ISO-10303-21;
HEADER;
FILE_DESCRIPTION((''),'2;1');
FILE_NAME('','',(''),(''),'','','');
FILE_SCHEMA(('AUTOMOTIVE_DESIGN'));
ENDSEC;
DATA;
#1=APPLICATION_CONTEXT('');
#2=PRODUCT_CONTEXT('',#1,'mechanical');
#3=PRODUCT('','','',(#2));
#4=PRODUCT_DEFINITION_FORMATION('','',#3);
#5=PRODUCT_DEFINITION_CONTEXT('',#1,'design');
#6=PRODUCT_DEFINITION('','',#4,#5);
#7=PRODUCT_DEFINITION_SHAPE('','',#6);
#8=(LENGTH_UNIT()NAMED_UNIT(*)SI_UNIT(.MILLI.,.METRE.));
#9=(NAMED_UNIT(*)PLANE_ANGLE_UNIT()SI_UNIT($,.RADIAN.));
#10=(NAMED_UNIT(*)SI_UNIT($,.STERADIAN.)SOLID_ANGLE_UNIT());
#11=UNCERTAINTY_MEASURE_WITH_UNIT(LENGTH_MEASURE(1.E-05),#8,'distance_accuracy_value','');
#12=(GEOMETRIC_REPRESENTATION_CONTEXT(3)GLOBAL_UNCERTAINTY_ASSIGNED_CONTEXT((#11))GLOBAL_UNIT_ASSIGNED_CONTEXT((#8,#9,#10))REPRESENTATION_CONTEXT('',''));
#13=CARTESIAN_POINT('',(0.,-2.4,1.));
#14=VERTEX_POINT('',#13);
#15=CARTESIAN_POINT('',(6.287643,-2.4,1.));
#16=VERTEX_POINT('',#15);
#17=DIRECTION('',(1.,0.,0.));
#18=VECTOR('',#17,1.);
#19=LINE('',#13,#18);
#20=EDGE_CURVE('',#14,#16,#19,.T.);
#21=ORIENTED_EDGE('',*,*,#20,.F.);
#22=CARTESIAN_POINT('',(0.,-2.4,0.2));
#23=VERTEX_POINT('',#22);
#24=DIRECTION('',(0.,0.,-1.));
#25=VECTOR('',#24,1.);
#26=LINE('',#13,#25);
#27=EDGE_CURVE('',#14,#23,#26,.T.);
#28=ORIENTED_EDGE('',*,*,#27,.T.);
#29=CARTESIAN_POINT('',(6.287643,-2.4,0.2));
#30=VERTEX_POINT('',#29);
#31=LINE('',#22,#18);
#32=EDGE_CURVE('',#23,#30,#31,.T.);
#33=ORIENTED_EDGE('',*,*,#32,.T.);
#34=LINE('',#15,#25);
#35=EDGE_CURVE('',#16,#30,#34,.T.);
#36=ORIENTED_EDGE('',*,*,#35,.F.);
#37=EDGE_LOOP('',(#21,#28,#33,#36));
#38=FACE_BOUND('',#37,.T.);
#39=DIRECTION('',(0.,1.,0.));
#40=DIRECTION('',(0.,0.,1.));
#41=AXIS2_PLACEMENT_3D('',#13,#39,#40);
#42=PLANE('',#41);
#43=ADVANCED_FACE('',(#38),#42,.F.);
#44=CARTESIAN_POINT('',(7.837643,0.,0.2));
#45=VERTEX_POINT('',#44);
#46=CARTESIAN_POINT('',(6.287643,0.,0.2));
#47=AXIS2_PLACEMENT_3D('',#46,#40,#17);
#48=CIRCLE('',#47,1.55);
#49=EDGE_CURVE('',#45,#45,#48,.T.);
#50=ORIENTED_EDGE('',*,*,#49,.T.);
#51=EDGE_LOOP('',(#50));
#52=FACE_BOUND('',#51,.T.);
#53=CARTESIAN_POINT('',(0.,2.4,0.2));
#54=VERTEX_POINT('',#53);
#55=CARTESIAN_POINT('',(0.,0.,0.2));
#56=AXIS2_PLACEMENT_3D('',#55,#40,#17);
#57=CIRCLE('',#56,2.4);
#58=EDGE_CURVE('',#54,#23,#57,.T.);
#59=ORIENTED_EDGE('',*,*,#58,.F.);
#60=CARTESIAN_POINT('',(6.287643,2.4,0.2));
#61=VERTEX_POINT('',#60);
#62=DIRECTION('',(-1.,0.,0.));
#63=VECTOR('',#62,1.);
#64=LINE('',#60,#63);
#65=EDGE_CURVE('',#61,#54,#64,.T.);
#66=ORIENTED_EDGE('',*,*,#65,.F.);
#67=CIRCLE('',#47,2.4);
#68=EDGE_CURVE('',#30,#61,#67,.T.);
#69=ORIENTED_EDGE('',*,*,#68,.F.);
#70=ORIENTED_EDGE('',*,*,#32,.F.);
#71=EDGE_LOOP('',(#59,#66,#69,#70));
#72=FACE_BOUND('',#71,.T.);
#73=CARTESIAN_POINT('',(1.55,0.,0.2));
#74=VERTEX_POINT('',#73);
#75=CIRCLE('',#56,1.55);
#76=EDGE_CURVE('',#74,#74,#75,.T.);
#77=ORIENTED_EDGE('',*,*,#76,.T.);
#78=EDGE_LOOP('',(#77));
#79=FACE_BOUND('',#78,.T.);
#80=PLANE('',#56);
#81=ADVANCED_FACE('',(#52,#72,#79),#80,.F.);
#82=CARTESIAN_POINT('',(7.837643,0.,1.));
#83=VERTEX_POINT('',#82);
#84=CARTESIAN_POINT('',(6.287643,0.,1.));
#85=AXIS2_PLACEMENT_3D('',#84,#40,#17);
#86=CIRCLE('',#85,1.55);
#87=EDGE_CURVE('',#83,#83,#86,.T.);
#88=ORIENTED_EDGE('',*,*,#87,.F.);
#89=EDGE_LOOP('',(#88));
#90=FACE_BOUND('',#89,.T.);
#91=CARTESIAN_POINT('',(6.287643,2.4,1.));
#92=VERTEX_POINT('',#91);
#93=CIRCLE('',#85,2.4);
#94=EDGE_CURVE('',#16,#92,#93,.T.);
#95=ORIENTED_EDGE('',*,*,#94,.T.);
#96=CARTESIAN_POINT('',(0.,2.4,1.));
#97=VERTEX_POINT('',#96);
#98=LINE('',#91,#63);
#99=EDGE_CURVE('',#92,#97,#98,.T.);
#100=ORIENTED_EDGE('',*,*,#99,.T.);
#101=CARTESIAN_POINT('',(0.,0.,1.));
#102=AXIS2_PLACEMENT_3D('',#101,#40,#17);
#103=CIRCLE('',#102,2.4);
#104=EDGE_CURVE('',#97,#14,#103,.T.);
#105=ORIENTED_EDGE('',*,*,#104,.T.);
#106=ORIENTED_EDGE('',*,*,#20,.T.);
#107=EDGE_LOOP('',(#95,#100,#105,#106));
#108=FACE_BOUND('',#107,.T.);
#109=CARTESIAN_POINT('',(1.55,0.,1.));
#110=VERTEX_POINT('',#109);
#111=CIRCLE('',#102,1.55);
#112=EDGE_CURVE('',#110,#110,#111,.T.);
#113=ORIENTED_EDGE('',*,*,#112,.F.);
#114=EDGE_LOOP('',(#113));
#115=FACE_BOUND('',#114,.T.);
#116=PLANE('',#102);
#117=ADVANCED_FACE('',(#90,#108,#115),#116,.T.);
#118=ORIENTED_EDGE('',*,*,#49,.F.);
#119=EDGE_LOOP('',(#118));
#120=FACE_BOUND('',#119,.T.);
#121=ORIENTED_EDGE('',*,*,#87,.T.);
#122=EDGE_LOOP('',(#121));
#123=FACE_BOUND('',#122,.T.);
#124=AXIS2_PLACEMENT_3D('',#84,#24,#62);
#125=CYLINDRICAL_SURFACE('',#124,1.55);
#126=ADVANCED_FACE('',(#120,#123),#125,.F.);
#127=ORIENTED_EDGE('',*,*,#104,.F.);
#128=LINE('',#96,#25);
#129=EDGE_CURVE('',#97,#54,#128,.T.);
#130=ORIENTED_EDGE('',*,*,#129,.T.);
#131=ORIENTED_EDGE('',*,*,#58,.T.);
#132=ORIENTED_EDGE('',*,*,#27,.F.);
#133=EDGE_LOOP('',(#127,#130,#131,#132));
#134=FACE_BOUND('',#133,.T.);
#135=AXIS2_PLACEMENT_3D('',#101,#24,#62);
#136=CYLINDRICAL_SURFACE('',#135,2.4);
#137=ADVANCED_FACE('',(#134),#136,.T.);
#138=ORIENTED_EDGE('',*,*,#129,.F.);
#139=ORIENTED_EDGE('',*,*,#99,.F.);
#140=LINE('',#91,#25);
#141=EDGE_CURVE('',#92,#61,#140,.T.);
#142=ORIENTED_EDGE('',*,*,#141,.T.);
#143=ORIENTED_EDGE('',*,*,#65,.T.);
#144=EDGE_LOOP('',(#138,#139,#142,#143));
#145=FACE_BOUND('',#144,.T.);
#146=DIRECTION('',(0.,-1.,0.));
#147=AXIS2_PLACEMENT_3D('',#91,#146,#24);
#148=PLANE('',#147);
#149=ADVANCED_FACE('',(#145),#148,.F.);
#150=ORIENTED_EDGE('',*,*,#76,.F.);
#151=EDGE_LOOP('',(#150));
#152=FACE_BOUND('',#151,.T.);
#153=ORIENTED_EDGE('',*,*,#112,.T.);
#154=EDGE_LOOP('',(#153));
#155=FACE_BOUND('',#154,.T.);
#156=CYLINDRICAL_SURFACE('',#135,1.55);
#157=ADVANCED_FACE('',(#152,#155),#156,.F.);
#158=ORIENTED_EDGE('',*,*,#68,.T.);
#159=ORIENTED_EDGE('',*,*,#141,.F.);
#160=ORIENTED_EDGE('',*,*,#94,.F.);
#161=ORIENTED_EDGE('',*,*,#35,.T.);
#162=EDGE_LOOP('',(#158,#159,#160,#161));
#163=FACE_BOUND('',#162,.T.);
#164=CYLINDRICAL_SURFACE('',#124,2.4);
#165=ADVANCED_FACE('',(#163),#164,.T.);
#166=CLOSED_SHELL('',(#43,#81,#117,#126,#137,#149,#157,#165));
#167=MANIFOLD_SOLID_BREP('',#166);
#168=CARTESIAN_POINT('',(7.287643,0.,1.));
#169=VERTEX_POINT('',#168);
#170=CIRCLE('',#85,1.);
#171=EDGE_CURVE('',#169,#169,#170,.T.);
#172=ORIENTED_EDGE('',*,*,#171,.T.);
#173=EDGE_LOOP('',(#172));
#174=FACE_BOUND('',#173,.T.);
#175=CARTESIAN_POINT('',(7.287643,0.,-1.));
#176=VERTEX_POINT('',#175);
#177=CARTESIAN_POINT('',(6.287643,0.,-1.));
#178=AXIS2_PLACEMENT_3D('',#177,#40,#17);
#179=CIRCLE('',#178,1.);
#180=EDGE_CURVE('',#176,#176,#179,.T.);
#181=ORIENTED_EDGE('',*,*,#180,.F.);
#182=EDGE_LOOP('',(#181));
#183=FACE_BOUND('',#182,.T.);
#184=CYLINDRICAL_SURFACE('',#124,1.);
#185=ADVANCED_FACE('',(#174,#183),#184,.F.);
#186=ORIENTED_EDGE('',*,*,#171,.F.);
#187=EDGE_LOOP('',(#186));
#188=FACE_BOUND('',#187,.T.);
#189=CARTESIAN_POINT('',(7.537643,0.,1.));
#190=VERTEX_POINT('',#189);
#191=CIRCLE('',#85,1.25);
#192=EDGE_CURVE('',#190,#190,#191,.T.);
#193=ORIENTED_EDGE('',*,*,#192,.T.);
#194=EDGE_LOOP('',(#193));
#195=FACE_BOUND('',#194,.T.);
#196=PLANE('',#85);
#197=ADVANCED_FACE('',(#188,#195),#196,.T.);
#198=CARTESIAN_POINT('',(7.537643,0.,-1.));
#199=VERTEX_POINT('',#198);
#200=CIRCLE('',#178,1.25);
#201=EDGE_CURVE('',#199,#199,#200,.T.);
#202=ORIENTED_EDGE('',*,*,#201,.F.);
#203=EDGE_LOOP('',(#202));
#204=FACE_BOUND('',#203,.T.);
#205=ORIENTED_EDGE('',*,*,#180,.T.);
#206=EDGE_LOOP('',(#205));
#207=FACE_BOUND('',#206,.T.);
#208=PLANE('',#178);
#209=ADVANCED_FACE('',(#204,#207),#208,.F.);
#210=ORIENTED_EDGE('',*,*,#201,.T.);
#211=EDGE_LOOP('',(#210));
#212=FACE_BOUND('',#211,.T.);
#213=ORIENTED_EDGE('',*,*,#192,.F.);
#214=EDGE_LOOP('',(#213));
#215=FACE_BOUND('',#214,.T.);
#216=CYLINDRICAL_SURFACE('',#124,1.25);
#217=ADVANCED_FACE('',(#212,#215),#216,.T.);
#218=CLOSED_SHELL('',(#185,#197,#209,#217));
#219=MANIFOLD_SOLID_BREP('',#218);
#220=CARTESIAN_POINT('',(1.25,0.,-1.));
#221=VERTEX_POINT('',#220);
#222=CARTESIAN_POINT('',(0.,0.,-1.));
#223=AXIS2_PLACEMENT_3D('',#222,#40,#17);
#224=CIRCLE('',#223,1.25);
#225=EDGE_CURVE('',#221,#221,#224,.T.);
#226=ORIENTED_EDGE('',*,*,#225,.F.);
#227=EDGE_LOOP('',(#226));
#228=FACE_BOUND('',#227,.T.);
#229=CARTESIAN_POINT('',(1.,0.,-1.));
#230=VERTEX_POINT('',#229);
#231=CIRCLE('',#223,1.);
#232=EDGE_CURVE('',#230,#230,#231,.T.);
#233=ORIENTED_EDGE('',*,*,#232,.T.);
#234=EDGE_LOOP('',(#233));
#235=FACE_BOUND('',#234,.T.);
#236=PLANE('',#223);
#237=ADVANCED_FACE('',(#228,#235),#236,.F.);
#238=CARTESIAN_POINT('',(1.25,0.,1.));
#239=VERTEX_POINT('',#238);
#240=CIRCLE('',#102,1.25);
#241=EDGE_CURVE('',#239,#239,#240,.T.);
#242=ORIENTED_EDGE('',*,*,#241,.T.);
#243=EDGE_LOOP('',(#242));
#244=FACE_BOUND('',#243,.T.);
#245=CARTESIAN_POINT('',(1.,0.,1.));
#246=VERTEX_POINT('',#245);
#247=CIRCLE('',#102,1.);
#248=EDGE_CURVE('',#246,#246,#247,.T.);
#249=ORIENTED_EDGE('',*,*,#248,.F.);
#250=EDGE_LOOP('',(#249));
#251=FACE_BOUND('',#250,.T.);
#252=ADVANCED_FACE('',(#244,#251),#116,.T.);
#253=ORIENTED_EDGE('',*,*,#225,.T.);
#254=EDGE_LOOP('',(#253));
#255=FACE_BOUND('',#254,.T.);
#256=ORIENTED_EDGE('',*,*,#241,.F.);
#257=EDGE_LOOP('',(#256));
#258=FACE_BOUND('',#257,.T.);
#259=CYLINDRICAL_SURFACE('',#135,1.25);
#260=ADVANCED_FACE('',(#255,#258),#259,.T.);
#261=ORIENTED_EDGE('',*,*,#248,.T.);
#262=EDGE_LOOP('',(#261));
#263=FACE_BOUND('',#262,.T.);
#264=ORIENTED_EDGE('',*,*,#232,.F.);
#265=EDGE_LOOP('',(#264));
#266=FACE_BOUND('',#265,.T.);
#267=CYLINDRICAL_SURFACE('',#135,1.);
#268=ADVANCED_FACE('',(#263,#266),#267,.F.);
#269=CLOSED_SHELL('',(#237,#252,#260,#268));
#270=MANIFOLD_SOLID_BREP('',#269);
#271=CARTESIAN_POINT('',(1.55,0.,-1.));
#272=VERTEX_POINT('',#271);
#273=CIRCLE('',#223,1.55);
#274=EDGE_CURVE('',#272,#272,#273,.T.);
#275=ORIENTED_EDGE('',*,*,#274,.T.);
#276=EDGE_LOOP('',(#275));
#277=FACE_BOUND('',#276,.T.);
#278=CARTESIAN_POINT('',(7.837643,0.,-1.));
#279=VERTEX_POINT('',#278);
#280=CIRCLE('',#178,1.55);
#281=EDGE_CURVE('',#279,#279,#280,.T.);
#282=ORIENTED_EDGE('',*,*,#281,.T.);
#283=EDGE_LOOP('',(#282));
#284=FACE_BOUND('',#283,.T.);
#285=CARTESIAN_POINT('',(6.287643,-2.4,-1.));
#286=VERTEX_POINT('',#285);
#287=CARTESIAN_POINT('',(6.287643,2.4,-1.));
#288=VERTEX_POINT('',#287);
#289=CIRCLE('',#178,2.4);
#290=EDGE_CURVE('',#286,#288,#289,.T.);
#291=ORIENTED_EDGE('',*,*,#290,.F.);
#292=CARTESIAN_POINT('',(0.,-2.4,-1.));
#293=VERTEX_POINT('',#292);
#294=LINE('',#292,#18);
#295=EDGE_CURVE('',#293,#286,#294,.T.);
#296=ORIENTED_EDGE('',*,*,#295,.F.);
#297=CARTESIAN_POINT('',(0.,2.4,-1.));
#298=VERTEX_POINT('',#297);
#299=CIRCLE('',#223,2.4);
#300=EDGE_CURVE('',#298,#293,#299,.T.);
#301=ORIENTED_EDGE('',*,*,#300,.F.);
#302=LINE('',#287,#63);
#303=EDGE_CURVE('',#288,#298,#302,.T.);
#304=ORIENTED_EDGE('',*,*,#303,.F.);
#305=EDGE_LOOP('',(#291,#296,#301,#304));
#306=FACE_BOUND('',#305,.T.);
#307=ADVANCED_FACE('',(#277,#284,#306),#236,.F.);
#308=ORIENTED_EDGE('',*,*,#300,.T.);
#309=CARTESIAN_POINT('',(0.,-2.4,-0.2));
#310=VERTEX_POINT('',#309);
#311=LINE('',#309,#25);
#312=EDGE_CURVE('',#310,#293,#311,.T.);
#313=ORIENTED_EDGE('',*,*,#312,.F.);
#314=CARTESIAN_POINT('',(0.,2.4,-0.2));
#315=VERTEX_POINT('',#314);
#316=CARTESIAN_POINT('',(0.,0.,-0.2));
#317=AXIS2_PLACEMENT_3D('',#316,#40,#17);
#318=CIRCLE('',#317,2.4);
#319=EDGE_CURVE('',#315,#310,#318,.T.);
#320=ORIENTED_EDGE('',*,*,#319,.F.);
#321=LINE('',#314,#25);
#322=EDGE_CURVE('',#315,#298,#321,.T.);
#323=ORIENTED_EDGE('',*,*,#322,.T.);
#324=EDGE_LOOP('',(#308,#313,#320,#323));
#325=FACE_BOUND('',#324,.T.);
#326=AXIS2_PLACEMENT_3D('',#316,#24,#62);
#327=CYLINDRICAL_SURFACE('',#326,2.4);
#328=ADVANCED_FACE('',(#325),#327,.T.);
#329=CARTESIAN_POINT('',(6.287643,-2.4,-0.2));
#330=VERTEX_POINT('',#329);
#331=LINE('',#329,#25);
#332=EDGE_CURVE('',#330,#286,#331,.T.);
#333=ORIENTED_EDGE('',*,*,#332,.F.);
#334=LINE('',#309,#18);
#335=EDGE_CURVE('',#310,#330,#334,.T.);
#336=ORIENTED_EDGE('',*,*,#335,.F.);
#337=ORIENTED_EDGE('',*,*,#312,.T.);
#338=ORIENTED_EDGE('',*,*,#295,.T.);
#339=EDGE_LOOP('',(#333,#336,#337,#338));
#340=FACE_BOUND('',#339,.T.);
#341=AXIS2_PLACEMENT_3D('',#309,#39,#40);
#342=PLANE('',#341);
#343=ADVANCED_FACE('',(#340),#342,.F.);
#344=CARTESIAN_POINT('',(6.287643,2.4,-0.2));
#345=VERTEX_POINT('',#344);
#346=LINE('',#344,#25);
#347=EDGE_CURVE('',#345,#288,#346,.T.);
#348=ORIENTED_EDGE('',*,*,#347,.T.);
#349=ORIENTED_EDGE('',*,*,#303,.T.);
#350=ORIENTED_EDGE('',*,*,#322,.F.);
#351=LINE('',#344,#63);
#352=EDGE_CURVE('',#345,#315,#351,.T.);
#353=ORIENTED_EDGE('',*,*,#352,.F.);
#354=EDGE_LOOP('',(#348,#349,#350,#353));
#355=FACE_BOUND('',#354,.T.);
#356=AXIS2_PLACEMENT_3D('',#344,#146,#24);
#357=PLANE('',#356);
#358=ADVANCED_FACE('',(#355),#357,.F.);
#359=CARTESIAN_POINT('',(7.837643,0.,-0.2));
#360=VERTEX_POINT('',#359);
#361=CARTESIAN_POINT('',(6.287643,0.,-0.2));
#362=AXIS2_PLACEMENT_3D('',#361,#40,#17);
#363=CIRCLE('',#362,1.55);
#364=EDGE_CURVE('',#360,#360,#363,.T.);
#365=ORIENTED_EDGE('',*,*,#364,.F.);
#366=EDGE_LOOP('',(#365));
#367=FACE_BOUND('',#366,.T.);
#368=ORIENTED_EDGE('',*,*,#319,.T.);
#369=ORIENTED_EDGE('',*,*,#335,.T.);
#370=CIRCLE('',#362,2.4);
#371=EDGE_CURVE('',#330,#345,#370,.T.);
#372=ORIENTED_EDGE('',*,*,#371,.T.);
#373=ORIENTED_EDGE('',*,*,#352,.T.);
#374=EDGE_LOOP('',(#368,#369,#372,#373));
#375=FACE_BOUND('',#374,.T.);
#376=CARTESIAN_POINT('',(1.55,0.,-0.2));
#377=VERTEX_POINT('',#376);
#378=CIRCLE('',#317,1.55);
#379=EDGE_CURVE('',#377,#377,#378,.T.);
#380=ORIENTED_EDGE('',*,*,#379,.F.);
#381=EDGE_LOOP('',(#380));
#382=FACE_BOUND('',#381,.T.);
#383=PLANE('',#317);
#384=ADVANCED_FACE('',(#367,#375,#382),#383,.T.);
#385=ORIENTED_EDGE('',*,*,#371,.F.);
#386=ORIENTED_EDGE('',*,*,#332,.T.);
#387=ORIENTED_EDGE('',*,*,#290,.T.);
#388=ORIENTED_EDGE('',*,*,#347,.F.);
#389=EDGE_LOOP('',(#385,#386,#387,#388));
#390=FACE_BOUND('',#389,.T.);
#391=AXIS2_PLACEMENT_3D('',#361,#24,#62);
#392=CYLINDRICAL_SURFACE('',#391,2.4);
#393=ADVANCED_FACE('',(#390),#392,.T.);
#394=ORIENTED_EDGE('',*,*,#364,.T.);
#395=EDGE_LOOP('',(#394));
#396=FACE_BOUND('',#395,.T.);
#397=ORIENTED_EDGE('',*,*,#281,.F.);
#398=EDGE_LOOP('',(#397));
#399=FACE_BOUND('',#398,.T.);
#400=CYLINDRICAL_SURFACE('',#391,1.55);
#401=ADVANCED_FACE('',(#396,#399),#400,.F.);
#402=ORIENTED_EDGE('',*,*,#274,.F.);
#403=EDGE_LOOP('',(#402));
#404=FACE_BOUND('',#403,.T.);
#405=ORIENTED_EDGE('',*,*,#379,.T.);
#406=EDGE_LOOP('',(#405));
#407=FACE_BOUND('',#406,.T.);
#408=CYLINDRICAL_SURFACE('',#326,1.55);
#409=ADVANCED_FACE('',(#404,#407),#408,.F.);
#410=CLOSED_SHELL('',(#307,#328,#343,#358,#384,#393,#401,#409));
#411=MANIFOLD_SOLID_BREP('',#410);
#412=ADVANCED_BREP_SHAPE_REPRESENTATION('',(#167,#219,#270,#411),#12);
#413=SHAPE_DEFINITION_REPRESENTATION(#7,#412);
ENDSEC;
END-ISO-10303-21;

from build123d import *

# Parameters (mm, degrees)
BOSS_EXTRUDE1_START   = 0.2
SKETCH1_R             = 1.55
BOSS_EXTRUDE1_DEPTH   = 0.8
BOSS_EXTRUDE2_START   = -1
SKETCH2_R             = 1.55
BOSS_EXTRUDE2_DEPTH   = 0.8
BOSS_EXTRUDE3_START   = -1
SKETCH3_R             = 1.25
SKETCH3_R_2           = 1
BOSS_EXTRUDE3_DEPTH   = 2
BOSS_EXTRUDE3_2_DEPTH = 2


with BuildPart() as part:
    # Sketch1 → Boss-Extrude1 (new body)
    with BuildSketch(Plane.XY.offset(BOSS_EXTRUDE1_START)):
        with BuildLine():
            Line((0, -2.4), (6.287642552, -2.4))
            ThreePointArc((6.287642552, -2.4), (8.687642552, 0), (6.287642552, 2.4))
            Line((6.287642552, 2.4), (0, 2.4))
            ThreePointArc((0, 2.4), (-2.4, 0), (0, -2.4))
        make_face()
        Circle(SKETCH1_R, mode=Mode.SUBTRACT)
        with Locations((6.287642552, 0)):
            Circle(SKETCH1_R, mode=Mode.SUBTRACT)
    extrude(amount=BOSS_EXTRUDE1_DEPTH)


with BuildPart() as body_2:
    # Sketch2 → Boss-Extrude2 (new body)
    with BuildSketch(Plane.XY.offset(BOSS_EXTRUDE2_START)):
        with BuildLine():
            Line((0, -2.4), (6.287642552, -2.4))
            ThreePointArc((6.287642552, -2.4), (8.687642552, 0), (6.287642552, 2.4))
            Line((6.287642552, 2.4), (0, 2.4))
            ThreePointArc((0, 2.4), (-2.4, 0), (0, -2.4))
        make_face()
        Circle(SKETCH2_R, mode=Mode.SUBTRACT)
        with Locations((6.287642552, 0)):
            Circle(SKETCH2_R, mode=Mode.SUBTRACT)
    extrude(amount=BOSS_EXTRUDE2_DEPTH)


with BuildPart() as body_3:
    # Sketch3 → Boss-Extrude3 (new body)
    with BuildSketch(Plane.XY.offset(BOSS_EXTRUDE3_START)):
        Circle(SKETCH3_R)
        Circle(SKETCH3_R_2, mode=Mode.SUBTRACT)
    extrude(amount=BOSS_EXTRUDE3_DEPTH)


with BuildPart() as body_4:
    # Sketch3 → Boss-Extrude3 2 (new body)
    with BuildSketch(Plane.XY.offset(BOSS_EXTRUDE3_START)):
        with Locations((6.287642552, 0)):
            Circle(SKETCH3_R)
        with Locations((6.287642552, 0)):
            Circle(SKETCH3_R_2, mode=Mode.SUBTRACT)
    extrude(amount=BOSS_EXTRUDE3_2_DEPTH)


solid = Compound([part.part, body_2.part, body_3.part, body_4.part])
